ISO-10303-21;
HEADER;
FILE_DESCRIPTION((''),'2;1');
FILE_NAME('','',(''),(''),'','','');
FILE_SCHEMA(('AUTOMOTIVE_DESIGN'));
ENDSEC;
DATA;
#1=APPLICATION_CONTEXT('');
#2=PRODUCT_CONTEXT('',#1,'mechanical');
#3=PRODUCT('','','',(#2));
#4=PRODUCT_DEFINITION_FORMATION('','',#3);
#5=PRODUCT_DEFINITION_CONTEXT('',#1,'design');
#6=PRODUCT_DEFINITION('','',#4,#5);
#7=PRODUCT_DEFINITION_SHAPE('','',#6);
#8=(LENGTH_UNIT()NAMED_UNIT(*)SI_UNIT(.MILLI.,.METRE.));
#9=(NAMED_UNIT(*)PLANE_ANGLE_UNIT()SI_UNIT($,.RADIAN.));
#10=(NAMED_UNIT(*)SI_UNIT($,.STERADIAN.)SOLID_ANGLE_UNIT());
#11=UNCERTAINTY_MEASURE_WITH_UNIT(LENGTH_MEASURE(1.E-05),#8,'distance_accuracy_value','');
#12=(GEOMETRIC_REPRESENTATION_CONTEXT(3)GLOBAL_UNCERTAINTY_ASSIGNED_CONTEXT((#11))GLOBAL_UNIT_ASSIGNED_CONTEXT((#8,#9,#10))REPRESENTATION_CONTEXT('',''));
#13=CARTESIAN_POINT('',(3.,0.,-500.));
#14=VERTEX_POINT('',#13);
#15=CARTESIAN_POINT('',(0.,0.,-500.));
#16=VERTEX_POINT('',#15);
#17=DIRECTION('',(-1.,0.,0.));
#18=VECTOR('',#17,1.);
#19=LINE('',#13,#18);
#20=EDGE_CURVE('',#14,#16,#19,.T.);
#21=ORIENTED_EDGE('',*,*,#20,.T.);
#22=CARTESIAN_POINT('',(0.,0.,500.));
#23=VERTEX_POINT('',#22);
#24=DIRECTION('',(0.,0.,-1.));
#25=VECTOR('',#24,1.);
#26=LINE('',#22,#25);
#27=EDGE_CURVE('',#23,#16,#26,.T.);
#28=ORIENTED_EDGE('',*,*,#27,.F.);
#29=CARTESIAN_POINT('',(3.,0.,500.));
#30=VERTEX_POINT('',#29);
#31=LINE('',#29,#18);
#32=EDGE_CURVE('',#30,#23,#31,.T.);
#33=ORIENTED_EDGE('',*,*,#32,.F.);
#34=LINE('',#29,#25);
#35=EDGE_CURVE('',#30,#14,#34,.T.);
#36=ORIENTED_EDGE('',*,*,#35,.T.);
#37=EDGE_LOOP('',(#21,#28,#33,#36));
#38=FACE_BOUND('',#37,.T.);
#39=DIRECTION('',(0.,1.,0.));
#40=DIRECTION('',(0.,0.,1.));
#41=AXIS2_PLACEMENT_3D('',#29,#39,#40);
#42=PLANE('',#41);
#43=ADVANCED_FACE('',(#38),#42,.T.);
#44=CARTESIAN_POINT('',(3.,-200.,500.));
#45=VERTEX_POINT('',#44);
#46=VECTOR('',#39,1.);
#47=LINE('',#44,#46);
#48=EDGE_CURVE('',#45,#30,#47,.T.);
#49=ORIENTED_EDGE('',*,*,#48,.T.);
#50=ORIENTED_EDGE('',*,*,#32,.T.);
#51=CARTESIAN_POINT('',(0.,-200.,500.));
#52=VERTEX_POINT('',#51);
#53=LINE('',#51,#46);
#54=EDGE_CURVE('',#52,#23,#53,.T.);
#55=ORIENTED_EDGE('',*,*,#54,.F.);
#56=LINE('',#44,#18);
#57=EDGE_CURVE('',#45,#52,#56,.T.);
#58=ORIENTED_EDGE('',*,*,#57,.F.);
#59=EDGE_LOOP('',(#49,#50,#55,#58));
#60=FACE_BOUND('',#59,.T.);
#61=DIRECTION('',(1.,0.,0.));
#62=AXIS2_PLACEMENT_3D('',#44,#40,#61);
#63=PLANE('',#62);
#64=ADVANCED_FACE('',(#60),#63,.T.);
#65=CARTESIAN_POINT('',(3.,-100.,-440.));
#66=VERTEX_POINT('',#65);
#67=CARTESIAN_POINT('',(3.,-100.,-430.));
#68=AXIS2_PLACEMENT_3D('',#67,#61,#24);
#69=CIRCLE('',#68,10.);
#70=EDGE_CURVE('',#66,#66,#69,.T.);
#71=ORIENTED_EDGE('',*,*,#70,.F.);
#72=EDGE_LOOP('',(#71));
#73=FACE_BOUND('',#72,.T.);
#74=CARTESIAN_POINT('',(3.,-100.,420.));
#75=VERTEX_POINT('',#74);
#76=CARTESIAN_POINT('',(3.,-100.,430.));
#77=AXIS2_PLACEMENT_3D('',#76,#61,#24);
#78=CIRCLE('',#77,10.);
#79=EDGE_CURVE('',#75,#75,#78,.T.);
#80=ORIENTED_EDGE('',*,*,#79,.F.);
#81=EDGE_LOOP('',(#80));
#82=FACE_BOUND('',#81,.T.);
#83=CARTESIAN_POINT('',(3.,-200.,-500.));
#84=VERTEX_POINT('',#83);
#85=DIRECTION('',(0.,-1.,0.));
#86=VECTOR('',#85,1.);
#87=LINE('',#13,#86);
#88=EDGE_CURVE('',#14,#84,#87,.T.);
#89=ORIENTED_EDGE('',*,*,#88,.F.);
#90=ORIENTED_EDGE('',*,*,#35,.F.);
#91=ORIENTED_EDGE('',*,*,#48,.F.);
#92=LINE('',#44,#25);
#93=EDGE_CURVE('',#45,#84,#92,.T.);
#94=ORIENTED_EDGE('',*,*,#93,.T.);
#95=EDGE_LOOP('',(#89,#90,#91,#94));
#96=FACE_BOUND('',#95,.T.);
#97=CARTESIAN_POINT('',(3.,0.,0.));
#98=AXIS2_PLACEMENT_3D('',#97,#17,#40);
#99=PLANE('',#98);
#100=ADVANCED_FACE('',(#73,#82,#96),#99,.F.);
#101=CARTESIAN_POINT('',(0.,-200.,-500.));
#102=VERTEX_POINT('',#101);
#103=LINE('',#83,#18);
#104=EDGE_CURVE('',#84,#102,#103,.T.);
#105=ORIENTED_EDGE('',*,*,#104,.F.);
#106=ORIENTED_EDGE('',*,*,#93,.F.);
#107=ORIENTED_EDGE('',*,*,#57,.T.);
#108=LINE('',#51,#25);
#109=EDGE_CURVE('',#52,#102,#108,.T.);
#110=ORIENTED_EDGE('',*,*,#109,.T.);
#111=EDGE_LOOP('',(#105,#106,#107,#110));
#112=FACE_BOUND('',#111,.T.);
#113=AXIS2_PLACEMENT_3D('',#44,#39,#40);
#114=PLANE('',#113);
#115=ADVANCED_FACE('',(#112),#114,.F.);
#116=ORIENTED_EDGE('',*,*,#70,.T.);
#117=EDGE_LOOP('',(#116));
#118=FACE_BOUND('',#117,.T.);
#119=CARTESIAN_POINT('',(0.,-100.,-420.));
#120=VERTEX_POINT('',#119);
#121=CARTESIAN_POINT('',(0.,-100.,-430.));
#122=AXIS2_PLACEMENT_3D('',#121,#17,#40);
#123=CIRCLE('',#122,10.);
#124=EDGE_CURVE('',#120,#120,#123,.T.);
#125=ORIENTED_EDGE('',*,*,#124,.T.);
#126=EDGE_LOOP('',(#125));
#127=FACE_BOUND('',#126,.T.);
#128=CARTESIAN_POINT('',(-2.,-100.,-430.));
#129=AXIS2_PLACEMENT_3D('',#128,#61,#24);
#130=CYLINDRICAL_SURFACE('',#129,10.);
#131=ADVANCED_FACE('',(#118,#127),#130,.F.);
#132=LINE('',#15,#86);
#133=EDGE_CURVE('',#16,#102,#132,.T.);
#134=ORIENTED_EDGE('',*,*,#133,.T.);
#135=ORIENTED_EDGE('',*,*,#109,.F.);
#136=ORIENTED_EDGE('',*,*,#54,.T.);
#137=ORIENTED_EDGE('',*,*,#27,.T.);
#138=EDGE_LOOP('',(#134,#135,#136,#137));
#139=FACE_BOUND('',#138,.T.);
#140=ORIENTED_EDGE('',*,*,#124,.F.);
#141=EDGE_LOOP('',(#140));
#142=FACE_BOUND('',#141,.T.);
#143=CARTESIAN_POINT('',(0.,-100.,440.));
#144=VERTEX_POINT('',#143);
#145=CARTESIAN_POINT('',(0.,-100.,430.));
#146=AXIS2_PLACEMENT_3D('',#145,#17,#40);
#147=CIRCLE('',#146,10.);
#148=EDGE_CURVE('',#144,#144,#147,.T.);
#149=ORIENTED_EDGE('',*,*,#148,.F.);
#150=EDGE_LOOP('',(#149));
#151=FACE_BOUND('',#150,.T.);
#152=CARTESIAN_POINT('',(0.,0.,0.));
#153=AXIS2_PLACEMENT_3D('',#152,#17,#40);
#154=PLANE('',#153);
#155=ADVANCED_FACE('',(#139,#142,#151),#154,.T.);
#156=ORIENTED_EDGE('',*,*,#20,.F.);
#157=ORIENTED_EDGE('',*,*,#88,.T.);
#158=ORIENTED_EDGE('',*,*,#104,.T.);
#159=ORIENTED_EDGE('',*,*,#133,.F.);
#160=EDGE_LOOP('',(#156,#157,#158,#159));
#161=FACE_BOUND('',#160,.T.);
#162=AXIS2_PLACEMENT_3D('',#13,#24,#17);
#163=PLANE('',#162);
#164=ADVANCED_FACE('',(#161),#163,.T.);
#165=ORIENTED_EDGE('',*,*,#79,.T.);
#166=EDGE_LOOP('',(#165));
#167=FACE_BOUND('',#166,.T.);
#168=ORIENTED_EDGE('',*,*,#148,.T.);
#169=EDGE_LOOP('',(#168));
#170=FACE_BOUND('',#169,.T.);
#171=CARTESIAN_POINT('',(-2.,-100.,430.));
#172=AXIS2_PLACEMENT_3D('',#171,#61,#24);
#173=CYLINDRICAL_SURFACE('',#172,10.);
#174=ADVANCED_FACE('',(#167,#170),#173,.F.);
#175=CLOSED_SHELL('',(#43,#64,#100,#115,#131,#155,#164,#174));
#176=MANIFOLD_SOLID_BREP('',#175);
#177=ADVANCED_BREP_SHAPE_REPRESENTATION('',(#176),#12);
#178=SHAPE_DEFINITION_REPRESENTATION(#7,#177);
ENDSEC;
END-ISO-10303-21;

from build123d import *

# Parameters (mm, degrees)
SKETCH1_W           = 1000
SKETCH1_H           = 200
EXTRUDE_THIN1_DEPTH = 3
SKETCH3_R           = 10
CUT_EXTRUDE2_DEPTH  = 5


with BuildPart() as part:
    # Sketch1 → Extrude-Thin1 (new body)
    with BuildSketch(Plane(origin=(0, 0, 0), x_dir=(0, 0, -1), z_dir=(1, 0, 0))):
        with Locations((0, -100)):
            Rectangle(SKETCH1_W, SKETCH1_H)
    extrude(amount=EXTRUDE_THIN1_DEPTH)

    # Sketch3 → Cut-Extrude2 (cut)
    with BuildSketch(Plane(origin=(3, 0, 0), x_dir=(0, 0, -1), z_dir=(1, 0, 0))):
        with Locations((-430, -100)):
            Circle(SKETCH3_R)
        with Locations((430, -100)):
            Circle(SKETCH3_R)
    extrude(amount=-CUT_EXTRUDE2_DEPTH, mode=Mode.SUBTRACT)


solid = part.part
